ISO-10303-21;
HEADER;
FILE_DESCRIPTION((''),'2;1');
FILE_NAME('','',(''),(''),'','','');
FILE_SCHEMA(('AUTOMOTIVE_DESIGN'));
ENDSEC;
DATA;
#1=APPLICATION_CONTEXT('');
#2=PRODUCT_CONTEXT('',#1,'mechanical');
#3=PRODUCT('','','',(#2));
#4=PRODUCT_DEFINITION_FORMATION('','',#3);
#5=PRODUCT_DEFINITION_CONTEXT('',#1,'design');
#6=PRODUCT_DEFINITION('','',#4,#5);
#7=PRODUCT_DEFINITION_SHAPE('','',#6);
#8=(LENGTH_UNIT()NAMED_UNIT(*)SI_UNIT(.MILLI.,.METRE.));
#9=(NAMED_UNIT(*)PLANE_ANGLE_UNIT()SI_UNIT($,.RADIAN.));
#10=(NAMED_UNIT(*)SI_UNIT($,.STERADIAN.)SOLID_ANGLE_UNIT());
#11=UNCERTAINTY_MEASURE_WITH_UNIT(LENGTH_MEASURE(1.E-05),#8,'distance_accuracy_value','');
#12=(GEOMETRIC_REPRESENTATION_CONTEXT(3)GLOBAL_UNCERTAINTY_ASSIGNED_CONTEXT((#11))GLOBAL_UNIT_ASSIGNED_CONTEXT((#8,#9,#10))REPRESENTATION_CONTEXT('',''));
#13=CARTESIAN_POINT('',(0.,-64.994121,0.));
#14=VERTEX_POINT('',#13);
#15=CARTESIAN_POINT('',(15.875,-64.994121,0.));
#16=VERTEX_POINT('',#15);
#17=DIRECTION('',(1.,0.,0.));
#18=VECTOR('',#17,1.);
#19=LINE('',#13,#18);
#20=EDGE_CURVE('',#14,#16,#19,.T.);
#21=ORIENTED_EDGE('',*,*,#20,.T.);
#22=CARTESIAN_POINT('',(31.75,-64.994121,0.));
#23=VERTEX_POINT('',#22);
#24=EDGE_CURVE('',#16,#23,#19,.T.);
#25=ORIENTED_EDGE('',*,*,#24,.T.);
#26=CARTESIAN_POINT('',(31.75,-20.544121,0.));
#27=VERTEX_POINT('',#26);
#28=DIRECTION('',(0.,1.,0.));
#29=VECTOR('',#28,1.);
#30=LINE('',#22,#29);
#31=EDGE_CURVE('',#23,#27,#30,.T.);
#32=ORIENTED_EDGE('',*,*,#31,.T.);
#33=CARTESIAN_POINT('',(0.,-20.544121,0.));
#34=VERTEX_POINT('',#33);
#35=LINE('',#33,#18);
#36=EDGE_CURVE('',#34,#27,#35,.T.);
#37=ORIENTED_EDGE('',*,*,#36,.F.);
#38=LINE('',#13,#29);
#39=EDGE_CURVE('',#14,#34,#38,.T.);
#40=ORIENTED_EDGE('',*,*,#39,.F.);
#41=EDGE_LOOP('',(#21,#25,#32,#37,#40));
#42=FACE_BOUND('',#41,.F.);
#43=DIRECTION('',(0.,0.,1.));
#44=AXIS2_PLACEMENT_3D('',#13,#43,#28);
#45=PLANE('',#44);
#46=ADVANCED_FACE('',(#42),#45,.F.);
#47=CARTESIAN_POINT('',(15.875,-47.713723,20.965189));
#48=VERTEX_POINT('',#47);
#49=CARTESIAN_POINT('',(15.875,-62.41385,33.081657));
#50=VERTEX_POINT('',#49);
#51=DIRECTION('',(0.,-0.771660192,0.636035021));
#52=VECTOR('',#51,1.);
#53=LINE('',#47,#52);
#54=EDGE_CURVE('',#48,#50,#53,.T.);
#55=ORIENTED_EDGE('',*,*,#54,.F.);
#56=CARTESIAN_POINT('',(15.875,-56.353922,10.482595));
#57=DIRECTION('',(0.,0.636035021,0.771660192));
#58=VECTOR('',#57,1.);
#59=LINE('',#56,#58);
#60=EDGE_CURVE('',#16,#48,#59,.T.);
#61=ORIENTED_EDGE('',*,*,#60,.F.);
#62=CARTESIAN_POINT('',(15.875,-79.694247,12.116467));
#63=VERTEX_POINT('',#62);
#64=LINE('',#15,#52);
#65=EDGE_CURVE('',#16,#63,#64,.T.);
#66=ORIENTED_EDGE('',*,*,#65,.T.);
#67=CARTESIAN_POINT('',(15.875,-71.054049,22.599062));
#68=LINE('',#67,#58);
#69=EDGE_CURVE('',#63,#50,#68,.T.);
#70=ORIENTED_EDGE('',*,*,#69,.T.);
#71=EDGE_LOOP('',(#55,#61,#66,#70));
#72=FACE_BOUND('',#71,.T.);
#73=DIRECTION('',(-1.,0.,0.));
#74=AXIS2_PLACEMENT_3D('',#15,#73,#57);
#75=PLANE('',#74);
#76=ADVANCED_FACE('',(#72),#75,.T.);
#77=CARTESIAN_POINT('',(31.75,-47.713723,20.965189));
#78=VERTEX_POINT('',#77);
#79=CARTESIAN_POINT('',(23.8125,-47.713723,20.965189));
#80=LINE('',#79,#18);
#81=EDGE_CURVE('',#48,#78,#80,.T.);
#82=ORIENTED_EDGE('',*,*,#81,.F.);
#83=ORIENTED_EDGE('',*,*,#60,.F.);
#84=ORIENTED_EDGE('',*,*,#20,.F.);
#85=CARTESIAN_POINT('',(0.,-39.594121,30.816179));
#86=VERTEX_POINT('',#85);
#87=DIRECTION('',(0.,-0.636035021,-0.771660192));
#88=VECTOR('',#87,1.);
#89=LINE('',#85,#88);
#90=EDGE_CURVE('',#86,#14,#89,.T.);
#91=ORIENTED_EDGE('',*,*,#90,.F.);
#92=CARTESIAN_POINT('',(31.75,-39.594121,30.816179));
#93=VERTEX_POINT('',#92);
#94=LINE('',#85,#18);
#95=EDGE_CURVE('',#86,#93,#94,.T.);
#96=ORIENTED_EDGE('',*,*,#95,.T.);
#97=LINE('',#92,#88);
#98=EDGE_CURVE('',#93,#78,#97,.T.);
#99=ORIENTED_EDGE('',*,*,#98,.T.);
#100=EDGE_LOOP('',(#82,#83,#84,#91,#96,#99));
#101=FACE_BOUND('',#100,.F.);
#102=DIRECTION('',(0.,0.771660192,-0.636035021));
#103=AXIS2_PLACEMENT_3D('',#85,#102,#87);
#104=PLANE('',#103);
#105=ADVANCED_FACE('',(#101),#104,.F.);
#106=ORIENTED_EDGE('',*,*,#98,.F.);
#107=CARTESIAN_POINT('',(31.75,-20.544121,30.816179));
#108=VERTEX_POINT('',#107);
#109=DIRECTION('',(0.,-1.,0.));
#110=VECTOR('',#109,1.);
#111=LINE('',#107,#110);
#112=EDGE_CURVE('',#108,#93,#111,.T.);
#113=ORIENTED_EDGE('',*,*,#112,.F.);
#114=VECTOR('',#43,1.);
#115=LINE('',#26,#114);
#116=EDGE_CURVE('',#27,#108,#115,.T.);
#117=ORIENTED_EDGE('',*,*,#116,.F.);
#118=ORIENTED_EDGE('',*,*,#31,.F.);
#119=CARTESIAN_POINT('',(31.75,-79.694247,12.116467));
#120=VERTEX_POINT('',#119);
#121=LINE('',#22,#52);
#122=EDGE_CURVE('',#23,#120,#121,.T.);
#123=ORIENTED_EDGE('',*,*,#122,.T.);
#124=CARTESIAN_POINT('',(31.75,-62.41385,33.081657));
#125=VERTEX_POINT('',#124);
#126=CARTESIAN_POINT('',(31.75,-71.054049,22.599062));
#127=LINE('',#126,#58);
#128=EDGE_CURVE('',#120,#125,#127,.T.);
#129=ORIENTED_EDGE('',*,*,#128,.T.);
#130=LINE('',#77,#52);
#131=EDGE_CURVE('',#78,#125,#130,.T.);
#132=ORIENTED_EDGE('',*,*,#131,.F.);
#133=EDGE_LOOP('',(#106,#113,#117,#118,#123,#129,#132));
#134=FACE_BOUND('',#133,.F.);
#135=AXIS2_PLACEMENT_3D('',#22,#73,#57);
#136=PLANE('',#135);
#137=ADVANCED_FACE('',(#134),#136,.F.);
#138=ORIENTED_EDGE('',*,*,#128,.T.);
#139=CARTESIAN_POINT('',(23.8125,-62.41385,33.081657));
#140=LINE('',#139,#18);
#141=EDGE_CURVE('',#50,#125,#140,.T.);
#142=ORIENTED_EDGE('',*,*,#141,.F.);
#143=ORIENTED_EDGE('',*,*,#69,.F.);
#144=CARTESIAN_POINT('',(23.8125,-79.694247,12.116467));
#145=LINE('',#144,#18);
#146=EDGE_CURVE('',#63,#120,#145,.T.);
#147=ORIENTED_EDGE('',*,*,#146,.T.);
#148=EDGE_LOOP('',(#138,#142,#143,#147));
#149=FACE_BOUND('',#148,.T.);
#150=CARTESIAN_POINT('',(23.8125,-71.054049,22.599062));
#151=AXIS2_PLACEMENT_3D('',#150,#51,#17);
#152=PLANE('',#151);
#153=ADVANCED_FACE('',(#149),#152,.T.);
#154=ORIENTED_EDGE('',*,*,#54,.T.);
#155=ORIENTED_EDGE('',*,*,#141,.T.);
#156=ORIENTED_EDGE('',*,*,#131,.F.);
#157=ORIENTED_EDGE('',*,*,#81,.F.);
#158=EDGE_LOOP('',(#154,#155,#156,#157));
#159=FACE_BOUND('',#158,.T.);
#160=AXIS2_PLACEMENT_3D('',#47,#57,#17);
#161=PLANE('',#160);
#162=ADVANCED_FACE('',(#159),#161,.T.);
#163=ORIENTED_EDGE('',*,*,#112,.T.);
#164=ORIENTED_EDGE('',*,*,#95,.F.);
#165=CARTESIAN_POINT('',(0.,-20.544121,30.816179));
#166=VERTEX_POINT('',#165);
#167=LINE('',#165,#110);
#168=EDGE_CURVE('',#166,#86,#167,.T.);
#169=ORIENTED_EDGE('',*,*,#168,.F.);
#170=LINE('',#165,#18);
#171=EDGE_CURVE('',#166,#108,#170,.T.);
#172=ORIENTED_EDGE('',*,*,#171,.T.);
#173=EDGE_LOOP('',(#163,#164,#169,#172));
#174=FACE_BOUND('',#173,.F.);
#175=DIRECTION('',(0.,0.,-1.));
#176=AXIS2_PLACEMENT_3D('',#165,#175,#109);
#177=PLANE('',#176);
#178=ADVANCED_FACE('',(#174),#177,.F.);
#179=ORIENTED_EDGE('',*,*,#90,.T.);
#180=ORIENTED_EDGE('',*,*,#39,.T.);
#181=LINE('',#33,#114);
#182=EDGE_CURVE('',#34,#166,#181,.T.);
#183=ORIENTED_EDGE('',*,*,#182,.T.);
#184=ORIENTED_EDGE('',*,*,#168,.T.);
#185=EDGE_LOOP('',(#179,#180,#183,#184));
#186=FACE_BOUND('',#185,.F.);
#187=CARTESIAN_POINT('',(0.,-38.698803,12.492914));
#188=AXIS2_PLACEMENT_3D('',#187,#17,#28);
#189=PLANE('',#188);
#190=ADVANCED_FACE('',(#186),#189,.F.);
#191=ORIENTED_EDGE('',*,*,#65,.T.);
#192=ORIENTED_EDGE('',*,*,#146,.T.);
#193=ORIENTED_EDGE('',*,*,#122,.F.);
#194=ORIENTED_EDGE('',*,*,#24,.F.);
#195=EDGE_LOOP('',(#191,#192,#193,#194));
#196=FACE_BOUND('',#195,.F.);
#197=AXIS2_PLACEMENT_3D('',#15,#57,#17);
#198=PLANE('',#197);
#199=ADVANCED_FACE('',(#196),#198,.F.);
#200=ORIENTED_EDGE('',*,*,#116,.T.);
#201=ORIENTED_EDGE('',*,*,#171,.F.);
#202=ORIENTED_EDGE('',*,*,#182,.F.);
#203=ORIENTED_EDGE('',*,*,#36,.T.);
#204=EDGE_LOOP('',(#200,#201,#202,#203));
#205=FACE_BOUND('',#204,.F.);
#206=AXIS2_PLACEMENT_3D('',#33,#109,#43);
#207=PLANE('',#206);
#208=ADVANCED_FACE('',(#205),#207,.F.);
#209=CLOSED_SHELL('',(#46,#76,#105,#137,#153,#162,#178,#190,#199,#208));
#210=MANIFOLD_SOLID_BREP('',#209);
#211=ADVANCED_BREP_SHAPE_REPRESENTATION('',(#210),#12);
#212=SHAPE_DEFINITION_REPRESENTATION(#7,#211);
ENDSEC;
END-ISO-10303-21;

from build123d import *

# Parameters (mm, degrees)
F1_DEPTH = 31.75
F2_W     = 15.875
F2_H     = 27.1689399092
F3_DEPTH = 19.05


with BuildPart() as f1:
    # F0 (on Right) → F1 (new body)
    with BuildSketch(Plane.YZ):
        Polygon((-64.9941207626, 0), (-20.5441207626, 0), (-20.5441207626, 30.8161787048), (-39.5941207626, 30.8161787048), align=None)
    extrude(amount=F1_DEPTH)

    # F2 (on face) → F3 (join)
    with BuildSketch(Plane(origin=(0, -38.7013635213, 31.8993033776), x_dir=(1, 0, 0), z_dir=(0, -0.7716601919, 0.6360350212))):
        with Locations((23.8125, -27.7540670215)):
            Rectangle(F2_W, F2_H)
    extrude(amount=F3_DEPTH)


solid = f1.part
